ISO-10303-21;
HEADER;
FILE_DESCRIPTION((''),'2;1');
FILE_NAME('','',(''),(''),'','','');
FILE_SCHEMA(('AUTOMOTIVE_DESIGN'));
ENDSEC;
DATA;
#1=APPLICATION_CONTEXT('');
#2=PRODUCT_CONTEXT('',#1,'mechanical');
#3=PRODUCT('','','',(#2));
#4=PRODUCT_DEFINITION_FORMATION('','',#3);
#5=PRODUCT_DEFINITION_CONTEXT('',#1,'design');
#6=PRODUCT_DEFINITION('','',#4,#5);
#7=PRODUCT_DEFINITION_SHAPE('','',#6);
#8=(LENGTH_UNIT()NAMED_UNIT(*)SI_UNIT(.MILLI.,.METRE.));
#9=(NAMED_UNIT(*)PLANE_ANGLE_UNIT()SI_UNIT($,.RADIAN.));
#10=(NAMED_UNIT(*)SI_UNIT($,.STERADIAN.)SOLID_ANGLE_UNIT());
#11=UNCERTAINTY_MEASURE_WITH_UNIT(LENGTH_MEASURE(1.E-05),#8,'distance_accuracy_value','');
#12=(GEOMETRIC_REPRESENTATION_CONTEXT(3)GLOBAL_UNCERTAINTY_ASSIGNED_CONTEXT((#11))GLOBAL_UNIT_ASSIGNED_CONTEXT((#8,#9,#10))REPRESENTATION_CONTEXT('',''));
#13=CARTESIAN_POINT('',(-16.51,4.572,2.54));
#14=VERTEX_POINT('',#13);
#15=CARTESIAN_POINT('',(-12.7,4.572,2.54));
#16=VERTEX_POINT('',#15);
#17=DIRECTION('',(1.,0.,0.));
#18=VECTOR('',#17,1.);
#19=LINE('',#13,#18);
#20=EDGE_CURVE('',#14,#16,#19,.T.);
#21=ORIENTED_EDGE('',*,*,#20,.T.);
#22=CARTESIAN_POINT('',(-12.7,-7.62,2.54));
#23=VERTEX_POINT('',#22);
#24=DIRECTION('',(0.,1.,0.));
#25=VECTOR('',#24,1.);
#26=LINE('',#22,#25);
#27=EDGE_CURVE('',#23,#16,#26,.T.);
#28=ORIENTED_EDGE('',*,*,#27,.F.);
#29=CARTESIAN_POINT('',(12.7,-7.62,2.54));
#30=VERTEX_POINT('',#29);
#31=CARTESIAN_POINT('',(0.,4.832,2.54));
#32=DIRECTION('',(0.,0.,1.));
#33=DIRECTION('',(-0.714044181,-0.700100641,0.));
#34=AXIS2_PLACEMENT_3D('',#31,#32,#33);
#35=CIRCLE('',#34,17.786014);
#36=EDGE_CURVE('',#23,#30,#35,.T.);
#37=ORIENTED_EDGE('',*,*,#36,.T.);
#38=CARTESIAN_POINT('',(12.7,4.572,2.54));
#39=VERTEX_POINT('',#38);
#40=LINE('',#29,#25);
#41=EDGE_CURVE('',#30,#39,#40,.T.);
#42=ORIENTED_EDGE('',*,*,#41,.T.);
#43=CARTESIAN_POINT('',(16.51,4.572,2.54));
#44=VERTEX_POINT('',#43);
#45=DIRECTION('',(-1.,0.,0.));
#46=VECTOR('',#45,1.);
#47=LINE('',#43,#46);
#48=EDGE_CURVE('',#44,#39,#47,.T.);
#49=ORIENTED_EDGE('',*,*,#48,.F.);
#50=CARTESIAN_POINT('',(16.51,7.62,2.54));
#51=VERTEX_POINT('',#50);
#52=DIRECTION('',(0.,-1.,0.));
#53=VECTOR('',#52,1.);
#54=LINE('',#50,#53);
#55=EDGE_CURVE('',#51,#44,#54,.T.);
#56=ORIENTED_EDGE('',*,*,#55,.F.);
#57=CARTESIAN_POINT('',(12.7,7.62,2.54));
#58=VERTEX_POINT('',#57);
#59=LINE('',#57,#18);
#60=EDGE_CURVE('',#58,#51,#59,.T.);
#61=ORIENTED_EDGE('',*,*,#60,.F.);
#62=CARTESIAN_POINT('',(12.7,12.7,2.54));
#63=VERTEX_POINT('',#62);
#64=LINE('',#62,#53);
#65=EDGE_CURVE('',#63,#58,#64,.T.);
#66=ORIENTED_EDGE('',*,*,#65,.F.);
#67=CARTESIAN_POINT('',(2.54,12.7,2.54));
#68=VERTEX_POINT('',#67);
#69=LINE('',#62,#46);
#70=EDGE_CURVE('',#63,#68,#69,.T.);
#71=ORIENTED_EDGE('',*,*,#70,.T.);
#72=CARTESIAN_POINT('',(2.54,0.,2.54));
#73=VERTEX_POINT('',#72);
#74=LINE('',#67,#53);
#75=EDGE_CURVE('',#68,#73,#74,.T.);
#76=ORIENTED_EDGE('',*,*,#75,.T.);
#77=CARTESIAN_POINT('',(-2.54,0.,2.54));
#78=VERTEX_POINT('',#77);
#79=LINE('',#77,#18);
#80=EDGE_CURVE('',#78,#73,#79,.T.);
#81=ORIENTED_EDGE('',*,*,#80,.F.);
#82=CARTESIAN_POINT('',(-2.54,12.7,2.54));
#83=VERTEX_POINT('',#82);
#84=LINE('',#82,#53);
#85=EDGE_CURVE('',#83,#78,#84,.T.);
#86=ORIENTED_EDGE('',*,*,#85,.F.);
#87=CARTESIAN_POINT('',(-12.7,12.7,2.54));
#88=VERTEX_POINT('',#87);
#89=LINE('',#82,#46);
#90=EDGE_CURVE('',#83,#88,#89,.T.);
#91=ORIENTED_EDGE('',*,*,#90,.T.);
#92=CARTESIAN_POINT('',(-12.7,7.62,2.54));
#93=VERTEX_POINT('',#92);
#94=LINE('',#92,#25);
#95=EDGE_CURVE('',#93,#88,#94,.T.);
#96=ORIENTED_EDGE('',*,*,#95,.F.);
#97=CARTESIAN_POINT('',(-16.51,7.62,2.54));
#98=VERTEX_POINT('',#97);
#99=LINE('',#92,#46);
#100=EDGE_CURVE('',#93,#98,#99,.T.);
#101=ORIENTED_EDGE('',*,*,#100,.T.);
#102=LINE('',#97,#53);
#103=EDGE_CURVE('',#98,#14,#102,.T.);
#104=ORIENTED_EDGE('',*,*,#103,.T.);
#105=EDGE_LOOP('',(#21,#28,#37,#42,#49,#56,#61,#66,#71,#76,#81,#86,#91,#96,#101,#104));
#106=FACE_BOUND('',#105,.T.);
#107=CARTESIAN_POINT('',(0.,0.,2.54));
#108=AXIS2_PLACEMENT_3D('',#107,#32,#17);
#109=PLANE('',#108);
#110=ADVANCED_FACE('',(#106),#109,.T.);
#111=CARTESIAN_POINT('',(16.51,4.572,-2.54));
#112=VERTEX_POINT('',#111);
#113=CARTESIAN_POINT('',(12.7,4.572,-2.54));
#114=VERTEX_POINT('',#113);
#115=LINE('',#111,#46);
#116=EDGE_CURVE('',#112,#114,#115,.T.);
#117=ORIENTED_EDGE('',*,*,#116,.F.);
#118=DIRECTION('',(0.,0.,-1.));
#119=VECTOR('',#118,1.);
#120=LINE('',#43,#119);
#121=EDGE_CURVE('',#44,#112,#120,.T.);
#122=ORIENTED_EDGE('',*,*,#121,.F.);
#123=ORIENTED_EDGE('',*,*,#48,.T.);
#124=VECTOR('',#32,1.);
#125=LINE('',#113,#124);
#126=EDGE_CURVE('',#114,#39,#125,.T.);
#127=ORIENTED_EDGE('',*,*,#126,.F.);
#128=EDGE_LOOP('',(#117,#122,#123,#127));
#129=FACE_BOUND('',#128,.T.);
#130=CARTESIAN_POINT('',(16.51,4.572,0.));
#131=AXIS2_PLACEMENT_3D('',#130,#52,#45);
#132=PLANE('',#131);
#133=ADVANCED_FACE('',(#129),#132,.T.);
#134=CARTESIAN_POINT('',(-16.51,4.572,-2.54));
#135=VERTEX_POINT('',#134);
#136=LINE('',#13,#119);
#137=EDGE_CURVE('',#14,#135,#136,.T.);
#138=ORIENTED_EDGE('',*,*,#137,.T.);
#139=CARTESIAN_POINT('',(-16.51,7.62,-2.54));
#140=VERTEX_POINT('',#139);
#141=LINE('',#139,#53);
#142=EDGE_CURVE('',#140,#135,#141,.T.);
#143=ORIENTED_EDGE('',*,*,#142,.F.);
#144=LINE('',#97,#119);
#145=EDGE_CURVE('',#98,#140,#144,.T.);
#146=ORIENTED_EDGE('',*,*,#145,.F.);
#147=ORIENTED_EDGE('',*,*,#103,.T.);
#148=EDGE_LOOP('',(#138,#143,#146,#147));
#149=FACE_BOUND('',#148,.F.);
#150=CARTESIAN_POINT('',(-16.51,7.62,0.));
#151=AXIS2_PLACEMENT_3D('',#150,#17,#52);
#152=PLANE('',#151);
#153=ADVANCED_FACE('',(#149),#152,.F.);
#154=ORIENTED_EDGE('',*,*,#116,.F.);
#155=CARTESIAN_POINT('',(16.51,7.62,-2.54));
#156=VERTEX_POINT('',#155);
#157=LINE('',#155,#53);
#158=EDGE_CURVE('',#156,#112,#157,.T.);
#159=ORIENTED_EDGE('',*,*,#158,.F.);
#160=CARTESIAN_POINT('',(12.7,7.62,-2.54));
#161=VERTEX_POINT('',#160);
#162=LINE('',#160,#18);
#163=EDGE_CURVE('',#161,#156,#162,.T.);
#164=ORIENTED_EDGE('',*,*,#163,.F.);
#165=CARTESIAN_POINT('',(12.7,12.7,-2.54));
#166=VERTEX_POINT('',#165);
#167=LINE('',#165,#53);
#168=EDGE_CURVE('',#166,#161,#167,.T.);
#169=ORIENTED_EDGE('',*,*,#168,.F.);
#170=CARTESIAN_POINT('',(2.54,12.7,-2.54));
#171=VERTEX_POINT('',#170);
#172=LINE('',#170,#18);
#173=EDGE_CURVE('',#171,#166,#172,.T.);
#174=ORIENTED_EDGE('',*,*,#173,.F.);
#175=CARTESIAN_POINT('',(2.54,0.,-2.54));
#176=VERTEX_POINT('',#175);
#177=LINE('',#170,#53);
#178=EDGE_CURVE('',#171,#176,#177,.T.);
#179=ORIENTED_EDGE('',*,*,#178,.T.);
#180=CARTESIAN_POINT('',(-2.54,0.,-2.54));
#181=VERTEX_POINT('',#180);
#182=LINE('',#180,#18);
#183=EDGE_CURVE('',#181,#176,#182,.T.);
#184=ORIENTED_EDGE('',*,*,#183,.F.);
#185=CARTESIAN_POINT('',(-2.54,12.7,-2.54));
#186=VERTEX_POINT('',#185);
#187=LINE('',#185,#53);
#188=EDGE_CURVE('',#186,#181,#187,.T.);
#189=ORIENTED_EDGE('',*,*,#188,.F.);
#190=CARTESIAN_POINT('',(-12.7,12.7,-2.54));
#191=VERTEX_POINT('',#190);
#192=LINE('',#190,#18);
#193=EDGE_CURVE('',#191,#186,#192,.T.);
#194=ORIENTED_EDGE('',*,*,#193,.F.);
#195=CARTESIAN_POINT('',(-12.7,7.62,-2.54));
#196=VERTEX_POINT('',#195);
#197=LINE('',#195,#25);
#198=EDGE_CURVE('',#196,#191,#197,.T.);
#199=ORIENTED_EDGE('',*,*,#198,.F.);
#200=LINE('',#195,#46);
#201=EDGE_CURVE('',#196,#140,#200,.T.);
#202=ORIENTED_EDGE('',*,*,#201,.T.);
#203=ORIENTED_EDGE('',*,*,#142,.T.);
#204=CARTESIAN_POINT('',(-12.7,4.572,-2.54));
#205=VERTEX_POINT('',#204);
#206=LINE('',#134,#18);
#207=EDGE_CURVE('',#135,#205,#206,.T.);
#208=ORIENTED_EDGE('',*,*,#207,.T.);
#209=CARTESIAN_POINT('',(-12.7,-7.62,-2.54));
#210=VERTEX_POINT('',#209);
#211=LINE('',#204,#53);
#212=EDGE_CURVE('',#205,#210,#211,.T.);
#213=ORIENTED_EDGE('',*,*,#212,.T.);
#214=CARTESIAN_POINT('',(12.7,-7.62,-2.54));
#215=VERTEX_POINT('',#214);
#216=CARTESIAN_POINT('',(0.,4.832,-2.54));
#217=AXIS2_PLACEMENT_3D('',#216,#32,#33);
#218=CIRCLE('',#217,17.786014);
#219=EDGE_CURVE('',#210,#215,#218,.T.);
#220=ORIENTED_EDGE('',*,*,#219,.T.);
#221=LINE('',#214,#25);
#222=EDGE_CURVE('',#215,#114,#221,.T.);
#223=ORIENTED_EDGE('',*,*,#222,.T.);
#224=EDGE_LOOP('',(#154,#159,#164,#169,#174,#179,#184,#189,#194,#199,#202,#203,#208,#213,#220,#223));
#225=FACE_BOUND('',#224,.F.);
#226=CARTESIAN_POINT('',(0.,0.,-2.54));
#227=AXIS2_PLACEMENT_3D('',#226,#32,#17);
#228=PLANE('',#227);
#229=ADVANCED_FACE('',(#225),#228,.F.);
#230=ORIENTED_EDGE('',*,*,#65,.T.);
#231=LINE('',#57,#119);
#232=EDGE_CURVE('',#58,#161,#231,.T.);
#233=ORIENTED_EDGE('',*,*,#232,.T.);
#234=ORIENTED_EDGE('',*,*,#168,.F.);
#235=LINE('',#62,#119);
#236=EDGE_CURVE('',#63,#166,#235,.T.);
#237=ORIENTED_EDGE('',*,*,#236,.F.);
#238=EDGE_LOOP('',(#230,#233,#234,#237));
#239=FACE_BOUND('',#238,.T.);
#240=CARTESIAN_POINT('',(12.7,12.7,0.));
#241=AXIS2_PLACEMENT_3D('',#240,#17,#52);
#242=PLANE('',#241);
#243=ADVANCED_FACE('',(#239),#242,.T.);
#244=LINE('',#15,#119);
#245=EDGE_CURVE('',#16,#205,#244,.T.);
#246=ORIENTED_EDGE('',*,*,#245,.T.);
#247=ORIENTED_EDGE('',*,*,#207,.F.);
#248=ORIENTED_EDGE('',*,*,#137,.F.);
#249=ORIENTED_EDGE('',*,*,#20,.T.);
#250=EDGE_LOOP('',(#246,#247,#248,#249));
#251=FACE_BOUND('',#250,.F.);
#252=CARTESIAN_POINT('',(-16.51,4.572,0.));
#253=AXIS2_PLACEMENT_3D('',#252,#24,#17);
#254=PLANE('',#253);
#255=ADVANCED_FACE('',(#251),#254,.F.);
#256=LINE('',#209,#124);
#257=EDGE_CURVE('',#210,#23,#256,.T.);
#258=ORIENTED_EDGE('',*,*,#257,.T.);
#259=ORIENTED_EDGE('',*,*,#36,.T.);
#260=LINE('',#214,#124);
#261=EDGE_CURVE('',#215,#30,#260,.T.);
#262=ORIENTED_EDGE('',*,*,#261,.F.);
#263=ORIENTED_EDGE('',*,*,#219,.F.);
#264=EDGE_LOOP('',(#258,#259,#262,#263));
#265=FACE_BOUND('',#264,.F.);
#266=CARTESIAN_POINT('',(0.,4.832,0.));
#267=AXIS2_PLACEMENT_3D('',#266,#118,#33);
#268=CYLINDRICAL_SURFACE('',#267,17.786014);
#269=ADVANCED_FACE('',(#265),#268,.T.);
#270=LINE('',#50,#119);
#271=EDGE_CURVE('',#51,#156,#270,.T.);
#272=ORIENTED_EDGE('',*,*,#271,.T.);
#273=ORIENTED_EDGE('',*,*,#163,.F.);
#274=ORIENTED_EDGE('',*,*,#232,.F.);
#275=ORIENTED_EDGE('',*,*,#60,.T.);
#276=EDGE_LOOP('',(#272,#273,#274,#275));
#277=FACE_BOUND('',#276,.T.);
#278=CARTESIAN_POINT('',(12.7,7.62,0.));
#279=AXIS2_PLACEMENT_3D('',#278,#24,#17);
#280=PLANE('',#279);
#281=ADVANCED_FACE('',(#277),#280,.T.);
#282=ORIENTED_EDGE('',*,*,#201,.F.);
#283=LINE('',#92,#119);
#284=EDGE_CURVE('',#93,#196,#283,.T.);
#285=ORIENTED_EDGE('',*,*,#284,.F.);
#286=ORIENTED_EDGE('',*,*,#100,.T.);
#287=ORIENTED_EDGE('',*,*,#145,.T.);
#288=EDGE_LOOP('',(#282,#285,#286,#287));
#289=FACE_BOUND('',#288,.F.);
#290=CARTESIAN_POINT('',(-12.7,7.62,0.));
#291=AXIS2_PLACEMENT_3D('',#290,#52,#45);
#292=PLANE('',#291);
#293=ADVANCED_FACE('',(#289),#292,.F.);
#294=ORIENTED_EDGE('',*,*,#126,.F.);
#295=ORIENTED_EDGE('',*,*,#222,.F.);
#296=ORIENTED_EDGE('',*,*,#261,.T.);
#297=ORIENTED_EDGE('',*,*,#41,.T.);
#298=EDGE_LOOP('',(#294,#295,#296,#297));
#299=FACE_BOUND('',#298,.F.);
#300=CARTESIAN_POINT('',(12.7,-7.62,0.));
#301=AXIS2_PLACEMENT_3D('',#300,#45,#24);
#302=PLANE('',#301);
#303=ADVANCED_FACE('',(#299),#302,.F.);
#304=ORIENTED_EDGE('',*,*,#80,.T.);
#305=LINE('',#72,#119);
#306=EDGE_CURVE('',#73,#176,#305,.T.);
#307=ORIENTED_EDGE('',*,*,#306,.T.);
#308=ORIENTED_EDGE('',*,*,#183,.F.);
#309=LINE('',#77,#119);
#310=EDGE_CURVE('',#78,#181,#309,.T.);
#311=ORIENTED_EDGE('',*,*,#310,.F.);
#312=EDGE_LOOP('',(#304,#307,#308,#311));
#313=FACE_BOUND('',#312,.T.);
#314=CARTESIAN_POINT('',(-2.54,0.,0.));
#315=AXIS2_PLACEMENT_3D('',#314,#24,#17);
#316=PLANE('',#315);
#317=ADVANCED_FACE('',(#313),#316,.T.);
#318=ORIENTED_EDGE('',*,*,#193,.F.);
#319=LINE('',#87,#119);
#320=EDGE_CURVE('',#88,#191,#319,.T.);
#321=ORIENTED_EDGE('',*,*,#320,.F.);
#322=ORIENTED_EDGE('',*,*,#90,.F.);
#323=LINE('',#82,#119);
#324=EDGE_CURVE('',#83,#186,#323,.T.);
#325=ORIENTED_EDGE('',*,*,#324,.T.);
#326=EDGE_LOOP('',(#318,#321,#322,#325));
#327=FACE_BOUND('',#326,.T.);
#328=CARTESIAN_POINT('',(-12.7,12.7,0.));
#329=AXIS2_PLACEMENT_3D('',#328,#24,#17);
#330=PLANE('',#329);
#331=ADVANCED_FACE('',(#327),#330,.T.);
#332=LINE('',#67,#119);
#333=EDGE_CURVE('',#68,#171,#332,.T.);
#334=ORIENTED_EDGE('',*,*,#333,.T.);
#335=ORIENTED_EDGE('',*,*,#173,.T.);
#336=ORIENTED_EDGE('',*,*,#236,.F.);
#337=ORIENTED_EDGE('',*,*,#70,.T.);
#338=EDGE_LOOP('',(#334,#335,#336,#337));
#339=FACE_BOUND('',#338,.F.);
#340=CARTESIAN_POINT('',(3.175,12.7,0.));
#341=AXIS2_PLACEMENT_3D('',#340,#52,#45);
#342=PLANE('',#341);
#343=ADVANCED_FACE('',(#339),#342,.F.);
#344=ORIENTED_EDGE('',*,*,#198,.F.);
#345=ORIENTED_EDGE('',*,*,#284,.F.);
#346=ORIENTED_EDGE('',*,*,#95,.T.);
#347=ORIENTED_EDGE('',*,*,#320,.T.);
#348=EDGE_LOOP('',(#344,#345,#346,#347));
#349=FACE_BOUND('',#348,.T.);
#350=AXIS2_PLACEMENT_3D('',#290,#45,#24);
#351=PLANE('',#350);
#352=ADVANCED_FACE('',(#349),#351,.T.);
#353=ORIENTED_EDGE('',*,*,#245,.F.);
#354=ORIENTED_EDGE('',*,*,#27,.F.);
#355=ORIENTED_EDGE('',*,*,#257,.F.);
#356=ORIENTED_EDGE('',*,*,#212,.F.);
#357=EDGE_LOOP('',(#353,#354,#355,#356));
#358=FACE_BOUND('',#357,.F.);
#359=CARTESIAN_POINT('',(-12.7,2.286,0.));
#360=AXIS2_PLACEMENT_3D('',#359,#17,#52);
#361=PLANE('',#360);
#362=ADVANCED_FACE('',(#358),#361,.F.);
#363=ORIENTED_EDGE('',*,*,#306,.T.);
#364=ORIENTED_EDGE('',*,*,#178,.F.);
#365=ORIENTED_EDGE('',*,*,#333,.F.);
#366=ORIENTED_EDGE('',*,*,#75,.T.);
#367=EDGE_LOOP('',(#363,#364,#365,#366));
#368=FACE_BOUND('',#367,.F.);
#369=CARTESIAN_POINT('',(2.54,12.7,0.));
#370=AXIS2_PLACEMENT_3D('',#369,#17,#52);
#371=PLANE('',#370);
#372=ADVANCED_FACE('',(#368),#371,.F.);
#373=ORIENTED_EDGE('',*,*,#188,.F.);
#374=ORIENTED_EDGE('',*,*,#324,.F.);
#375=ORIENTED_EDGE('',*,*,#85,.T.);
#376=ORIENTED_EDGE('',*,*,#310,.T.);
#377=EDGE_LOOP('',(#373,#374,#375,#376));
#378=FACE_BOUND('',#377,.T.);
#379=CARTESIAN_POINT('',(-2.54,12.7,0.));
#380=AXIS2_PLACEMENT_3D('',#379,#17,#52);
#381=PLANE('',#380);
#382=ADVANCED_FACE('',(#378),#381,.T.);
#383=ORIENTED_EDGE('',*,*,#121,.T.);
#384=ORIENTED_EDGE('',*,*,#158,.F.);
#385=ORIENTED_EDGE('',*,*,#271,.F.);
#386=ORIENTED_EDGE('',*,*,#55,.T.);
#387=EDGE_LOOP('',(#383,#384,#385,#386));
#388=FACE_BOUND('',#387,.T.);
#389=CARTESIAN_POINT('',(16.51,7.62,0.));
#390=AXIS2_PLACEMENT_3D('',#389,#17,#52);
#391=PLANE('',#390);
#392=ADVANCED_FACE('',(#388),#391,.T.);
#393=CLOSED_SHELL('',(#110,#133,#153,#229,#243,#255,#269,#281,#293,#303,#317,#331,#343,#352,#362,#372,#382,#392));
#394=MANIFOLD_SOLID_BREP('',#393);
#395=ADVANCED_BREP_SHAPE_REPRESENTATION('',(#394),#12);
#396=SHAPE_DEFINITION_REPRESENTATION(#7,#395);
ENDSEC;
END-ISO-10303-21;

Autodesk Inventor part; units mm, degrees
ref_plane "YZ Plane" through (0, 0, 0) normal (1, 0, 0) x (0, 1, 0)
ref_plane "XZ Plane" through (0, 0, 0) normal (0, 1, 0) x (-1, 0, 0)
ref_plane "XY Plane" through (0, 0, 0) normal (0, 0, 1) x (1, 0, 0)
sketch "Sketch1" plane through (0, 0, 0) normal (0, 0, 1) x (1, 0, 0)
  line L0 (-12.7, -7.62) -> (12.7, -7.62) construction
  line L1 (12.7, -7.62) -> (-12.7, 7.62) construction
  line L2 (12.7, 7.62) -> (-12.7, -7.62) construction
  line L3 (-6.35, 0) -> (-6.35, 7.62) construction
  line L4 (6.35, 7.62) -> (-6.35, 0) construction
  line L5 (6.35, 0) -> (-6.35, 7.62) construction
  line L6 (-12.7, 2.667) -> (-16.51, 2.667) construction
  line L7 (-16.51, 4.953) -> (-12.7, 4.953) construction
  line L8 (-8.89, 4.953) -> (-8.89, 2.667) construction
  line L9 (-8.89, 2.667) -> (-16.51, 4.953) construction
  line L10 (-16.51, 2.667) -> (-8.89, 4.953) construction
  line L11 (12.7, 2.667) -> (16.51, 2.667) construction
  line L12 (16.51, 4.953) -> (12.7, 4.953) construction
  line L13 (8.89, 4.953) -> (8.89, 2.667) construction
  line L14 (8.89, 2.667) -> (16.51, 4.953) construction
  line L15 (16.51, 2.667) -> (8.89, 4.953) construction
  line L16 (-19.9417, -12.954) -> (22.1348, -12.954) construction
  arc A0 (-12.7, -7.62) -> (12.7, -7.62) centre (0, 4.832) ccw
  line L17 (12.7, 7.62) -> (6.35, 7.62) construction
  line L18 (-6.35, 7.62) -> (-12.7, 7.62) construction
  line L19 (-12.7, 2.286) -> (-12.7, -7.62)
  line L20 (12.7, -7.62) -> (12.7, 2.286)
  line L21 (-12.7, 7.62) -> (-12.7, 12.7)
  line L22 (-12.7, 12.7) -> (-6.35, 12.7)
  line L23 (-6.35, 12.7) -> (-6.35, 7.62) construction
  line L24 (6.35, 12.7) -> (12.7, 12.7)
  line L25 (12.7, 12.7) -> (12.7, 7.62)
  line L26 (6.35, 12.7) -> (5.715, 12.7)
  line L27 (5.715, 0.381) -> (5.715, 0) construction
  line L28 (-6.35, 12.7) -> (-5.715, 12.7)
  line L29 (-5.715, 0.381) -> (-5.715, 0) construction
  line L30 (6.35, 1.905) -> (6.35, 0) construction
  line L31 (-5.715, 0) -> (-3.175, 0) construction
  line L32 (-3.175, 0) -> (-3.175, 0.9525) construction
  line L33 (5.715, 0) -> (3.175, 0) construction
  line L34 (3.175, 0) -> (3.175, 0.9525) construction
  line L35 (-5.715, 12.7) -> (-3.175, 12.7)
  line L36 (3.175, 12.7) -> (5.715, 12.7)
  line L37 (-2.54, 0) -> (2.54, 0)
  line L38 (-12.7, 7.62) -> (-16.51, 7.62)
  line L39 (-16.51, 7.62) -> (-16.51, 4.572)
  line L40 (-16.51, 4.572) -> (-12.7, 4.572)
  line L41 (-12.7, 4.572) -> (-12.7, 2.286)
  line L42 (12.7, 7.62) -> (16.51, 7.62)
  line L43 (16.51, 7.62) -> (16.51, 4.572)
  line L44 (16.51, 4.572) -> (12.7, 4.572)
  line L45 (12.7, 4.572) -> (12.7, 2.286)
  line L46 (-3.175, 12.7) -> (-2.54, 12.7)
  line L47 (-2.54, 12.7) -> (-2.54, 0)
  line L48 (3.175, 12.7) -> (2.54, 12.7)
  line L49 (2.54, 12.7) -> (2.54, 0)
  line L50 (5.715, 0) -> (3.175, 0) construction
  line L51 (2.54, 0) -> (-5.715, 0) construction
  point P0 (0, 0)
  point P1 (0, 3.81)
  point P2 (-12.7, 3.81)
  point P3 (12.7, 3.81)
  dimension "d0" = 15.24
  dimension "d1" = 25.4
  dimension "d2" = 12.7
  dimension "d5" = 7.62
  dimension "d6" = 2.286
  dimension "d7" = 7.62
  dimension "d8" = 2.286
  dimension "d12" = 5.08
  dimension "d15" = 3.81
  dimension "d20" = 0.635
  dimension "d21" = 0.635
  dimension "d24" = 2.54
  dimension "d25" = 2.54
  dimension "d28" = 3.81
  dimension "d29" = 3.048
  dimension "d32" = 0.635
extrude "Extrusion7" add sketch "Sketch1" along normal mid plane 5.08
sketch "Sketch2" plane through (0, 0, 2.54) normal (0, 0, 1) x (1, 0, 0)
  arc A0 (-12.7, -7.62) -> (12.7, -7.62) centre (0, 4.832) ccw projected
  line L0 (12.7, -7.62) -> (12.7, 4.572) projected
  line L1 (12.7, 4.572) -> (16.51, 4.572) projected
  line L2 (16.51, 4.572) -> (16.51, 7.62) projected
  line L3 (16.51, 7.62) -> (12.7, 7.62) projected
  line L4 (12.7, 7.62) -> (12.7, 12.7) projected
  line L5 (12.7, 12.7) -> (2.54, 12.7) projected
  line L6 (2.54, 12.7) -> (2.54, 0) projected
  line L7 (2.54, 0) -> (-2.54, 0) projected
  line L8 (-2.54, 0) -> (-2.54, 12.7) projected
  line L9 (-2.54, 12.7) -> (-12.7, 12.7) projected
  line L10 (-12.7, 12.7) -> (-12.7, 7.62) projected
  line L11 (-12.7, 7.62) -> (-16.51, 7.62) projected
  line L12 (-16.51, 7.62) -> (-16.51, 4.572) projected
  line L13 (-16.51, 4.572) -> (-12.7, 4.572) projected
  line L14 (-12.7, 4.572) -> (-12.7, -7.62) projected
  line L15 (0, 8.0449) -> (0, -12.954) construction
  line L16 (12.7, 12.7) -> (2.54, 12.7) construction
  line L17 (7.62, 12.7) -> (7.62, -0.0804) construction
  line L18 (6.1595, 12.7) -> (6.1595, 3.3381)
  line L19 (9.0805, 12.7) -> (9.0805, 3.3381)
  line L20 (-6.1595, 12.7) -> (-6.1595, 3.3381)
  line L21 (-9.0805, 12.7) -> (-9.0805, 3.3381)
  point P0 (0, 0)
  dimension "d35" = 1.4605
  dimension "d36" = 2.921
properties part number "TopPegCor"
